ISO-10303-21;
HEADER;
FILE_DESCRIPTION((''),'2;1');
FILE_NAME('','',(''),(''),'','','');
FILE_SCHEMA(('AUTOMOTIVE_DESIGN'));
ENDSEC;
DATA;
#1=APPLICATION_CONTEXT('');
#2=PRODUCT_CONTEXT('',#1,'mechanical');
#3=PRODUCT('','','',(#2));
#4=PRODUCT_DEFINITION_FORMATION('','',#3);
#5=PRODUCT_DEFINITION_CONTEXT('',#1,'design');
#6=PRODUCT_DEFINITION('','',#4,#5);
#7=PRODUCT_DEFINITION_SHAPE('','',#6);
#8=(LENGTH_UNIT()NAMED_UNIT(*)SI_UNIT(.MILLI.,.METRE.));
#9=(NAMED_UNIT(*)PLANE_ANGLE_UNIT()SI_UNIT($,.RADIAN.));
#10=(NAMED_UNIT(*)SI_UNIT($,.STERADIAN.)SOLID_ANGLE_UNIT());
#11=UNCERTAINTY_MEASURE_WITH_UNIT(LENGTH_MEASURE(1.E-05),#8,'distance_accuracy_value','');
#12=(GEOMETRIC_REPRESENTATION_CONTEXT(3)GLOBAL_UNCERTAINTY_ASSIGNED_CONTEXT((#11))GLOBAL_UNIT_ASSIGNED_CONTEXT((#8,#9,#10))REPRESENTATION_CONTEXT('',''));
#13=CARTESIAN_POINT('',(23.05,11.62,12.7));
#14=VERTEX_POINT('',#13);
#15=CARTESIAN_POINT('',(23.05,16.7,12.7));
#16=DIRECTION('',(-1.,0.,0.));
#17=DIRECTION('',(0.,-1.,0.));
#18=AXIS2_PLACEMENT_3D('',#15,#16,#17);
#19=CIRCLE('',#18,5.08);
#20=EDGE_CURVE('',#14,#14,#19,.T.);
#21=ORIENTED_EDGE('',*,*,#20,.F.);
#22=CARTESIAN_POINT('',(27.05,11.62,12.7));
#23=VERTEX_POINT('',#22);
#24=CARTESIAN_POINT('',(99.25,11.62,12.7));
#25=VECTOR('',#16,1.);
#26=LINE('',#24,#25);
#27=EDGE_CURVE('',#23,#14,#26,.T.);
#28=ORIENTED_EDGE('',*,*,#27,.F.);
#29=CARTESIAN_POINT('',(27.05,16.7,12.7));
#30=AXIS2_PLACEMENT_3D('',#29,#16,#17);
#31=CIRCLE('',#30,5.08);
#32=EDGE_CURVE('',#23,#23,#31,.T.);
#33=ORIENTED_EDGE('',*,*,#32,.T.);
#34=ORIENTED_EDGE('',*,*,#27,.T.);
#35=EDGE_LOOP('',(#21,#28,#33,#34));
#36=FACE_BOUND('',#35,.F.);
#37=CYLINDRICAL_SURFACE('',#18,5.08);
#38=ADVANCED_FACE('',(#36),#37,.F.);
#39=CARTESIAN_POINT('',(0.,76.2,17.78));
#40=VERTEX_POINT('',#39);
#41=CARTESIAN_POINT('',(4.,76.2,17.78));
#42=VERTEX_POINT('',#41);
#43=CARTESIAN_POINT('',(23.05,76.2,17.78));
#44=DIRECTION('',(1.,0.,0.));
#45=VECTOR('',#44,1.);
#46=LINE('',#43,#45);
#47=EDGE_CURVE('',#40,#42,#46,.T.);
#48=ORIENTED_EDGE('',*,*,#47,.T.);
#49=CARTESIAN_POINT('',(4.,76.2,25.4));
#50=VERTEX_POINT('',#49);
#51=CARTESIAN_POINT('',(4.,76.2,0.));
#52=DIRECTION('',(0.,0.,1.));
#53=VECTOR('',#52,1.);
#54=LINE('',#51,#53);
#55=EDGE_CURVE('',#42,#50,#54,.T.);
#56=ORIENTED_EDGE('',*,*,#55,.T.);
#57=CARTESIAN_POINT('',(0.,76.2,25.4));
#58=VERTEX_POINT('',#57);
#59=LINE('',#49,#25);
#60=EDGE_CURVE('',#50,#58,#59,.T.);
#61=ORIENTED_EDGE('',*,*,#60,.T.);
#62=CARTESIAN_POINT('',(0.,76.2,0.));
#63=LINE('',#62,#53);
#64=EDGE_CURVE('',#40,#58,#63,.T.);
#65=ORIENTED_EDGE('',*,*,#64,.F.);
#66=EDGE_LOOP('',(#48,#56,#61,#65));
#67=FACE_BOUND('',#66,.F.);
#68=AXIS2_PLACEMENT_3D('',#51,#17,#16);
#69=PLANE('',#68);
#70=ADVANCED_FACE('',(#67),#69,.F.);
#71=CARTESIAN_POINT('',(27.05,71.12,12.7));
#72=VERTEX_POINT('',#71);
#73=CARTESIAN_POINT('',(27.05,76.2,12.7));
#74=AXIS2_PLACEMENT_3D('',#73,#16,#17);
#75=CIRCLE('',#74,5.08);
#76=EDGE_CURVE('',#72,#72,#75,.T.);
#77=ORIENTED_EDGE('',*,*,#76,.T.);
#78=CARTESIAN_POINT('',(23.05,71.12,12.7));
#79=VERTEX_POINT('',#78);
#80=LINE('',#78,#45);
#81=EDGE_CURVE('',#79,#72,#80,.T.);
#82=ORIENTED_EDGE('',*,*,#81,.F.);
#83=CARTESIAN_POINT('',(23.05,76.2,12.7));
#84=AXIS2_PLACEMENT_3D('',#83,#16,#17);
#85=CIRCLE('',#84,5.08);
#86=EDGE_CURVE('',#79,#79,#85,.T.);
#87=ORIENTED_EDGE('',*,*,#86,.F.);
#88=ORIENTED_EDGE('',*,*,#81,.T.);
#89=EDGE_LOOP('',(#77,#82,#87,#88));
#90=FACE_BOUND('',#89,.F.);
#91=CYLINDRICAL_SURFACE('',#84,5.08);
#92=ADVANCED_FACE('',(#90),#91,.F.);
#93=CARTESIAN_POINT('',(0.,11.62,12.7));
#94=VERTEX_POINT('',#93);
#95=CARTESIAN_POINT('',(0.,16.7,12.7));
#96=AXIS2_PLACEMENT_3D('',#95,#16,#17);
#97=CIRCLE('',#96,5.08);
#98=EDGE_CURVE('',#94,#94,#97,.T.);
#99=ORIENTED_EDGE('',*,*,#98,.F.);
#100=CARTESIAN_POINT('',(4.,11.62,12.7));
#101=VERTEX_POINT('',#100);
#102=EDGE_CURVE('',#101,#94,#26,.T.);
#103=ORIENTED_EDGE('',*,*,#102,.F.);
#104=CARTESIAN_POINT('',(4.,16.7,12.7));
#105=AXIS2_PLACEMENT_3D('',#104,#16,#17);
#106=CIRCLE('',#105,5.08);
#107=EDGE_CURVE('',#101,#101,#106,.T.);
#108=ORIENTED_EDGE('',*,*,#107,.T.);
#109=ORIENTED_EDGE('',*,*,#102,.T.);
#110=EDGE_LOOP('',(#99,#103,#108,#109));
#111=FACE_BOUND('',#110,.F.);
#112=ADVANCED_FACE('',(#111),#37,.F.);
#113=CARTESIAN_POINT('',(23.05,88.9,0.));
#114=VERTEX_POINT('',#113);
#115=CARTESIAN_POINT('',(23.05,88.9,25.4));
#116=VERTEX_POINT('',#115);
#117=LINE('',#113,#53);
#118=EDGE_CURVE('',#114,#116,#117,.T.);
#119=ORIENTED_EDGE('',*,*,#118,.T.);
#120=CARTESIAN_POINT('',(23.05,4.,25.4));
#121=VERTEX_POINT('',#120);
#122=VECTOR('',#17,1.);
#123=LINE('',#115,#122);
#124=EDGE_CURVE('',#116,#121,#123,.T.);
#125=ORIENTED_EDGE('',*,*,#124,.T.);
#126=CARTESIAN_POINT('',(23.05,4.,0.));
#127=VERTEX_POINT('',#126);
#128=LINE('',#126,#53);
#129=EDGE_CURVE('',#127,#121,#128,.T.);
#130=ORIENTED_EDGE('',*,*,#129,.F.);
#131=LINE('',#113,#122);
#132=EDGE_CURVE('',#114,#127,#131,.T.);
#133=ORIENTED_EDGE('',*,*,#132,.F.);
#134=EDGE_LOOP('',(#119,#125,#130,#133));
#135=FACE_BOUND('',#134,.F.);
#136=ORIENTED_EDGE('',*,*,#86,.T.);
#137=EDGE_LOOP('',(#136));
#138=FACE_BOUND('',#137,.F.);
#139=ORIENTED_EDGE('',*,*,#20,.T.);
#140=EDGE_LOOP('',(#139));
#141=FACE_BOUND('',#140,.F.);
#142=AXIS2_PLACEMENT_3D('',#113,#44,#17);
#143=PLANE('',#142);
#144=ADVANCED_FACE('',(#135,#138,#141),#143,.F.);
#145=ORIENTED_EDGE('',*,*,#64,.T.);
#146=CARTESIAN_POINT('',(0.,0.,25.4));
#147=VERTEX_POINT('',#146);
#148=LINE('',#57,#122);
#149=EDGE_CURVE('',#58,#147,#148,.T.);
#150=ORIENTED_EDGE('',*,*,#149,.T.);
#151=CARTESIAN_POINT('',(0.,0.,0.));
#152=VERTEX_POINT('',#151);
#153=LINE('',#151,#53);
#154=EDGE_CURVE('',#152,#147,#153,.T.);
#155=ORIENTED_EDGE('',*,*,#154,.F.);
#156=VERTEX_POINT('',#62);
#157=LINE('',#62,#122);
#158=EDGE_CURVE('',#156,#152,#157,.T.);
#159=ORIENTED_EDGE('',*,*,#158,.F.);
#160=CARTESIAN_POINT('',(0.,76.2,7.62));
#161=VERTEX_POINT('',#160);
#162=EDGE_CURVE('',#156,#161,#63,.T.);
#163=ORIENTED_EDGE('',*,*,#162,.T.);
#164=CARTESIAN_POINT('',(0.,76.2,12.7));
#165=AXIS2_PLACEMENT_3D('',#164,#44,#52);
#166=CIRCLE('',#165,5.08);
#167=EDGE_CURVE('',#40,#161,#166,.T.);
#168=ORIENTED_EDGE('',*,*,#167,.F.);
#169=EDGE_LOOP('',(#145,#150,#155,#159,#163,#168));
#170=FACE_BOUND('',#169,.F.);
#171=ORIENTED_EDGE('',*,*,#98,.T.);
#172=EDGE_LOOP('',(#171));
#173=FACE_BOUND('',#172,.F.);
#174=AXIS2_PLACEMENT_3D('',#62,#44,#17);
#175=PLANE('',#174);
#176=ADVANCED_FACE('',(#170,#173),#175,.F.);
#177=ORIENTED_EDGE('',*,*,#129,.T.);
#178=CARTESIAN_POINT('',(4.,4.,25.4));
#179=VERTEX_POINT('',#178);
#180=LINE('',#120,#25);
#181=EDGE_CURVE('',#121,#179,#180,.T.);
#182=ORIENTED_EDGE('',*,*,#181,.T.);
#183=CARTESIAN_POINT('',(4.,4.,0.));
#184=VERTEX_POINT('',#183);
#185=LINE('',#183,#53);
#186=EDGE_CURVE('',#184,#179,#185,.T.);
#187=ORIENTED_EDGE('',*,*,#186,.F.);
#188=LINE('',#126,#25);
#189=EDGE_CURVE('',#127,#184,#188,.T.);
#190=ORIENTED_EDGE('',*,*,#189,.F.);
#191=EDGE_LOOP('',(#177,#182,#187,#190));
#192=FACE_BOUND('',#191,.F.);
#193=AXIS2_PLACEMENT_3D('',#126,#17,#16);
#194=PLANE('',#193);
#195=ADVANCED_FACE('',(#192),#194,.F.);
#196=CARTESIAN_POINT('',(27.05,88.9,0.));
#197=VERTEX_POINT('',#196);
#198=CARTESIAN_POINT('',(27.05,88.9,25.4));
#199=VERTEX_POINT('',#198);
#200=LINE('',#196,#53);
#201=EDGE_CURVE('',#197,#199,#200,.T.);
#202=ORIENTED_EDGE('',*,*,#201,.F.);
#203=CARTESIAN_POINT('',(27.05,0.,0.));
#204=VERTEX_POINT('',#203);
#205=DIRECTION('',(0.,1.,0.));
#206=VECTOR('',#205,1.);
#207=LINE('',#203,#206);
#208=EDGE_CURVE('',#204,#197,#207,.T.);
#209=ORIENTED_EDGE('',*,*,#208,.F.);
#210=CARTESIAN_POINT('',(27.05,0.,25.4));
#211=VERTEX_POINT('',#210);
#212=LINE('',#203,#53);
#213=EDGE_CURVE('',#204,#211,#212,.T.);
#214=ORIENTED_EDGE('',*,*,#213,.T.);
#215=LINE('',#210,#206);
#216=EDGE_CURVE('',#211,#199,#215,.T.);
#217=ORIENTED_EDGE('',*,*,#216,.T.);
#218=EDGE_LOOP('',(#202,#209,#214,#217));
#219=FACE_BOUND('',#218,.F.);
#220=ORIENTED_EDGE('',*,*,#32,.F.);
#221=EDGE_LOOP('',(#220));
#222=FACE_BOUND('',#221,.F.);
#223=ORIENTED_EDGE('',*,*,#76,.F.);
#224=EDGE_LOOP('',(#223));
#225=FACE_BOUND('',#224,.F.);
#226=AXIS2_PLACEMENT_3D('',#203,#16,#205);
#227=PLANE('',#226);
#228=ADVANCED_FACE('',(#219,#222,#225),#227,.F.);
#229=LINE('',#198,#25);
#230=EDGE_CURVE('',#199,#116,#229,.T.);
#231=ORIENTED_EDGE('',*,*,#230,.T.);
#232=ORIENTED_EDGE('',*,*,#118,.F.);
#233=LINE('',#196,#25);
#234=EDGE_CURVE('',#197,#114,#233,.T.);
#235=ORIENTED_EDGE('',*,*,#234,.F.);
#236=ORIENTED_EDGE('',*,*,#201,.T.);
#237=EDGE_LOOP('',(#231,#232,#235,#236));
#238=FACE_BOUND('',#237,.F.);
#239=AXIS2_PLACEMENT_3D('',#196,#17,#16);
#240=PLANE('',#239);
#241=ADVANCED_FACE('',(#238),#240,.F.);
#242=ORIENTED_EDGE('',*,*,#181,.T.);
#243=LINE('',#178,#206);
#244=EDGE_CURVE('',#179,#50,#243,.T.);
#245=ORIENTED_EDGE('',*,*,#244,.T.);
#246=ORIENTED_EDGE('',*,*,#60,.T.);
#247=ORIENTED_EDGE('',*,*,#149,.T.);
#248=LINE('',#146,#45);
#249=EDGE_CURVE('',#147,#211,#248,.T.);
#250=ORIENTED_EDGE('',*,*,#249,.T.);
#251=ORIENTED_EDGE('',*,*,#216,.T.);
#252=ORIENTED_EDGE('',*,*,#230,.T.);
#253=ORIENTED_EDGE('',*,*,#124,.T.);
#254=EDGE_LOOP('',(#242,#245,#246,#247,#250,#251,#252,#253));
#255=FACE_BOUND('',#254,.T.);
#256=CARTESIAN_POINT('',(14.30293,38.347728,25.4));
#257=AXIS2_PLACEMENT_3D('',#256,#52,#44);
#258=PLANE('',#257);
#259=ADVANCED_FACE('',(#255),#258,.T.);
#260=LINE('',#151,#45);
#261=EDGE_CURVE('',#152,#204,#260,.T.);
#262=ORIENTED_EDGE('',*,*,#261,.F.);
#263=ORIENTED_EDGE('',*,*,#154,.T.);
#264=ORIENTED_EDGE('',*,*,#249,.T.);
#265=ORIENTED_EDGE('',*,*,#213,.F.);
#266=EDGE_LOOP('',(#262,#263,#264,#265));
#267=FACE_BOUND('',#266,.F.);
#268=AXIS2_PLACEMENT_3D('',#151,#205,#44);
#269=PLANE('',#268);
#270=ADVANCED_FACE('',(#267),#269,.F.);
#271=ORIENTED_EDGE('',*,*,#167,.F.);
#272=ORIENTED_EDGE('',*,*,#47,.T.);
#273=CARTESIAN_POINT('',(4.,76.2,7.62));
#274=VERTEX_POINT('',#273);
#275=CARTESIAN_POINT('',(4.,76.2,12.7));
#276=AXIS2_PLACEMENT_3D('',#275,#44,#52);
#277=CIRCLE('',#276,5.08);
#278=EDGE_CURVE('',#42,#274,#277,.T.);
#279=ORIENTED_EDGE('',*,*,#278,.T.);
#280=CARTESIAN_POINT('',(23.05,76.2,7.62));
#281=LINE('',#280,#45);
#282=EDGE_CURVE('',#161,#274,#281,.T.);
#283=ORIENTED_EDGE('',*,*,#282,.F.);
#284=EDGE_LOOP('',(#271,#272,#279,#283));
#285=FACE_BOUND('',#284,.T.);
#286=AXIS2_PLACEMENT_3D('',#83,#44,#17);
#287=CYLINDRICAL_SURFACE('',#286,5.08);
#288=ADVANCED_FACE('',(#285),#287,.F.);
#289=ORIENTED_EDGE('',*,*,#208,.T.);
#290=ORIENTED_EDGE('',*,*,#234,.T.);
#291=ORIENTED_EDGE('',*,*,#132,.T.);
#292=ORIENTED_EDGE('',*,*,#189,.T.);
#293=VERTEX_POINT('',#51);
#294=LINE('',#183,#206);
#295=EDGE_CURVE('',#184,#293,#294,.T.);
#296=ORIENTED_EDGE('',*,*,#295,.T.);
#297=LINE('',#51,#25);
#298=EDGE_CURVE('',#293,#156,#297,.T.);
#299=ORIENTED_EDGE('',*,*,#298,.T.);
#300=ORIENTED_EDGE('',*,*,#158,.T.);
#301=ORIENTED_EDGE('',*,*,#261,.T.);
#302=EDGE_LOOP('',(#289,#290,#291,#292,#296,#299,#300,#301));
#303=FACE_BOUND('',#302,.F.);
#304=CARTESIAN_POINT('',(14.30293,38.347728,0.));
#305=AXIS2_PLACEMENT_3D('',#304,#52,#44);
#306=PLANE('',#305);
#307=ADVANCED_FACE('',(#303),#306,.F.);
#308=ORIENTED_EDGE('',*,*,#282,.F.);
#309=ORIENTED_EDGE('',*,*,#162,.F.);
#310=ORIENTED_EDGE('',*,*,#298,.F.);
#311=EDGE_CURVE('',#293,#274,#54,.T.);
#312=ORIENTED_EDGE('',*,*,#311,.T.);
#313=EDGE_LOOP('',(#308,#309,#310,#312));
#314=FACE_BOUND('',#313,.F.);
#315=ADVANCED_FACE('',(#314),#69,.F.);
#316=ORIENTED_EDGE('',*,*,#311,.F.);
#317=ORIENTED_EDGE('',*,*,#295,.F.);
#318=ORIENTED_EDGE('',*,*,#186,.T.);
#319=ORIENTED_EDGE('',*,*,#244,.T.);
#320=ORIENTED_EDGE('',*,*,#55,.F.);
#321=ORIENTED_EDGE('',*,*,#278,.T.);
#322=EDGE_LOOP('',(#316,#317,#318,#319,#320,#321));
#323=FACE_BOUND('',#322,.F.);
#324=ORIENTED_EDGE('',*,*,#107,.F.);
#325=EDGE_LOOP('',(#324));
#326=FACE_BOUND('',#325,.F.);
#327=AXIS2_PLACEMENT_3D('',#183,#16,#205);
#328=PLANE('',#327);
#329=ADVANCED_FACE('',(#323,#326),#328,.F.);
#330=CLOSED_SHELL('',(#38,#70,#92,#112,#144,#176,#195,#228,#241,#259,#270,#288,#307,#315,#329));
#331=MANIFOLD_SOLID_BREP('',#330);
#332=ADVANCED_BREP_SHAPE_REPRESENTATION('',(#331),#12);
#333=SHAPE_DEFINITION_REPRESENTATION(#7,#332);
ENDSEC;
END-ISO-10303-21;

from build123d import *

# Parameters (mm, degrees)
F1_DEPTH = 25.4
F2_R     = 5.08
F3_DEPTH = 76.2


with BuildPart() as f1:
    # F0 (on Top) → F1 (new body)
    with BuildSketch(Plane.XY):
        Polygon((0, 76.2), (0, 0), (27.05, 0), (27.05, 88.9), (23.05, 88.9), (23.05, 4), (4, 4), (4, 76.2), align=None)
    extrude(amount=F1_DEPTH)

    # F2 (on face) → F3 (cut, symmetric)
    with BuildSketch(Plane(origin=(23.05, 0, 0), x_dir=(0, -1, 0), z_dir=(-1, 0, 0))):
        with Locations((-76.2, 12.7)):
            Circle(F2_R)
        with Locations((-16.7, 12.7)):
            Circle(F2_R)
    extrude(amount=F3_DEPTH, both=True, mode=Mode.SUBTRACT)


solid = f1.part
